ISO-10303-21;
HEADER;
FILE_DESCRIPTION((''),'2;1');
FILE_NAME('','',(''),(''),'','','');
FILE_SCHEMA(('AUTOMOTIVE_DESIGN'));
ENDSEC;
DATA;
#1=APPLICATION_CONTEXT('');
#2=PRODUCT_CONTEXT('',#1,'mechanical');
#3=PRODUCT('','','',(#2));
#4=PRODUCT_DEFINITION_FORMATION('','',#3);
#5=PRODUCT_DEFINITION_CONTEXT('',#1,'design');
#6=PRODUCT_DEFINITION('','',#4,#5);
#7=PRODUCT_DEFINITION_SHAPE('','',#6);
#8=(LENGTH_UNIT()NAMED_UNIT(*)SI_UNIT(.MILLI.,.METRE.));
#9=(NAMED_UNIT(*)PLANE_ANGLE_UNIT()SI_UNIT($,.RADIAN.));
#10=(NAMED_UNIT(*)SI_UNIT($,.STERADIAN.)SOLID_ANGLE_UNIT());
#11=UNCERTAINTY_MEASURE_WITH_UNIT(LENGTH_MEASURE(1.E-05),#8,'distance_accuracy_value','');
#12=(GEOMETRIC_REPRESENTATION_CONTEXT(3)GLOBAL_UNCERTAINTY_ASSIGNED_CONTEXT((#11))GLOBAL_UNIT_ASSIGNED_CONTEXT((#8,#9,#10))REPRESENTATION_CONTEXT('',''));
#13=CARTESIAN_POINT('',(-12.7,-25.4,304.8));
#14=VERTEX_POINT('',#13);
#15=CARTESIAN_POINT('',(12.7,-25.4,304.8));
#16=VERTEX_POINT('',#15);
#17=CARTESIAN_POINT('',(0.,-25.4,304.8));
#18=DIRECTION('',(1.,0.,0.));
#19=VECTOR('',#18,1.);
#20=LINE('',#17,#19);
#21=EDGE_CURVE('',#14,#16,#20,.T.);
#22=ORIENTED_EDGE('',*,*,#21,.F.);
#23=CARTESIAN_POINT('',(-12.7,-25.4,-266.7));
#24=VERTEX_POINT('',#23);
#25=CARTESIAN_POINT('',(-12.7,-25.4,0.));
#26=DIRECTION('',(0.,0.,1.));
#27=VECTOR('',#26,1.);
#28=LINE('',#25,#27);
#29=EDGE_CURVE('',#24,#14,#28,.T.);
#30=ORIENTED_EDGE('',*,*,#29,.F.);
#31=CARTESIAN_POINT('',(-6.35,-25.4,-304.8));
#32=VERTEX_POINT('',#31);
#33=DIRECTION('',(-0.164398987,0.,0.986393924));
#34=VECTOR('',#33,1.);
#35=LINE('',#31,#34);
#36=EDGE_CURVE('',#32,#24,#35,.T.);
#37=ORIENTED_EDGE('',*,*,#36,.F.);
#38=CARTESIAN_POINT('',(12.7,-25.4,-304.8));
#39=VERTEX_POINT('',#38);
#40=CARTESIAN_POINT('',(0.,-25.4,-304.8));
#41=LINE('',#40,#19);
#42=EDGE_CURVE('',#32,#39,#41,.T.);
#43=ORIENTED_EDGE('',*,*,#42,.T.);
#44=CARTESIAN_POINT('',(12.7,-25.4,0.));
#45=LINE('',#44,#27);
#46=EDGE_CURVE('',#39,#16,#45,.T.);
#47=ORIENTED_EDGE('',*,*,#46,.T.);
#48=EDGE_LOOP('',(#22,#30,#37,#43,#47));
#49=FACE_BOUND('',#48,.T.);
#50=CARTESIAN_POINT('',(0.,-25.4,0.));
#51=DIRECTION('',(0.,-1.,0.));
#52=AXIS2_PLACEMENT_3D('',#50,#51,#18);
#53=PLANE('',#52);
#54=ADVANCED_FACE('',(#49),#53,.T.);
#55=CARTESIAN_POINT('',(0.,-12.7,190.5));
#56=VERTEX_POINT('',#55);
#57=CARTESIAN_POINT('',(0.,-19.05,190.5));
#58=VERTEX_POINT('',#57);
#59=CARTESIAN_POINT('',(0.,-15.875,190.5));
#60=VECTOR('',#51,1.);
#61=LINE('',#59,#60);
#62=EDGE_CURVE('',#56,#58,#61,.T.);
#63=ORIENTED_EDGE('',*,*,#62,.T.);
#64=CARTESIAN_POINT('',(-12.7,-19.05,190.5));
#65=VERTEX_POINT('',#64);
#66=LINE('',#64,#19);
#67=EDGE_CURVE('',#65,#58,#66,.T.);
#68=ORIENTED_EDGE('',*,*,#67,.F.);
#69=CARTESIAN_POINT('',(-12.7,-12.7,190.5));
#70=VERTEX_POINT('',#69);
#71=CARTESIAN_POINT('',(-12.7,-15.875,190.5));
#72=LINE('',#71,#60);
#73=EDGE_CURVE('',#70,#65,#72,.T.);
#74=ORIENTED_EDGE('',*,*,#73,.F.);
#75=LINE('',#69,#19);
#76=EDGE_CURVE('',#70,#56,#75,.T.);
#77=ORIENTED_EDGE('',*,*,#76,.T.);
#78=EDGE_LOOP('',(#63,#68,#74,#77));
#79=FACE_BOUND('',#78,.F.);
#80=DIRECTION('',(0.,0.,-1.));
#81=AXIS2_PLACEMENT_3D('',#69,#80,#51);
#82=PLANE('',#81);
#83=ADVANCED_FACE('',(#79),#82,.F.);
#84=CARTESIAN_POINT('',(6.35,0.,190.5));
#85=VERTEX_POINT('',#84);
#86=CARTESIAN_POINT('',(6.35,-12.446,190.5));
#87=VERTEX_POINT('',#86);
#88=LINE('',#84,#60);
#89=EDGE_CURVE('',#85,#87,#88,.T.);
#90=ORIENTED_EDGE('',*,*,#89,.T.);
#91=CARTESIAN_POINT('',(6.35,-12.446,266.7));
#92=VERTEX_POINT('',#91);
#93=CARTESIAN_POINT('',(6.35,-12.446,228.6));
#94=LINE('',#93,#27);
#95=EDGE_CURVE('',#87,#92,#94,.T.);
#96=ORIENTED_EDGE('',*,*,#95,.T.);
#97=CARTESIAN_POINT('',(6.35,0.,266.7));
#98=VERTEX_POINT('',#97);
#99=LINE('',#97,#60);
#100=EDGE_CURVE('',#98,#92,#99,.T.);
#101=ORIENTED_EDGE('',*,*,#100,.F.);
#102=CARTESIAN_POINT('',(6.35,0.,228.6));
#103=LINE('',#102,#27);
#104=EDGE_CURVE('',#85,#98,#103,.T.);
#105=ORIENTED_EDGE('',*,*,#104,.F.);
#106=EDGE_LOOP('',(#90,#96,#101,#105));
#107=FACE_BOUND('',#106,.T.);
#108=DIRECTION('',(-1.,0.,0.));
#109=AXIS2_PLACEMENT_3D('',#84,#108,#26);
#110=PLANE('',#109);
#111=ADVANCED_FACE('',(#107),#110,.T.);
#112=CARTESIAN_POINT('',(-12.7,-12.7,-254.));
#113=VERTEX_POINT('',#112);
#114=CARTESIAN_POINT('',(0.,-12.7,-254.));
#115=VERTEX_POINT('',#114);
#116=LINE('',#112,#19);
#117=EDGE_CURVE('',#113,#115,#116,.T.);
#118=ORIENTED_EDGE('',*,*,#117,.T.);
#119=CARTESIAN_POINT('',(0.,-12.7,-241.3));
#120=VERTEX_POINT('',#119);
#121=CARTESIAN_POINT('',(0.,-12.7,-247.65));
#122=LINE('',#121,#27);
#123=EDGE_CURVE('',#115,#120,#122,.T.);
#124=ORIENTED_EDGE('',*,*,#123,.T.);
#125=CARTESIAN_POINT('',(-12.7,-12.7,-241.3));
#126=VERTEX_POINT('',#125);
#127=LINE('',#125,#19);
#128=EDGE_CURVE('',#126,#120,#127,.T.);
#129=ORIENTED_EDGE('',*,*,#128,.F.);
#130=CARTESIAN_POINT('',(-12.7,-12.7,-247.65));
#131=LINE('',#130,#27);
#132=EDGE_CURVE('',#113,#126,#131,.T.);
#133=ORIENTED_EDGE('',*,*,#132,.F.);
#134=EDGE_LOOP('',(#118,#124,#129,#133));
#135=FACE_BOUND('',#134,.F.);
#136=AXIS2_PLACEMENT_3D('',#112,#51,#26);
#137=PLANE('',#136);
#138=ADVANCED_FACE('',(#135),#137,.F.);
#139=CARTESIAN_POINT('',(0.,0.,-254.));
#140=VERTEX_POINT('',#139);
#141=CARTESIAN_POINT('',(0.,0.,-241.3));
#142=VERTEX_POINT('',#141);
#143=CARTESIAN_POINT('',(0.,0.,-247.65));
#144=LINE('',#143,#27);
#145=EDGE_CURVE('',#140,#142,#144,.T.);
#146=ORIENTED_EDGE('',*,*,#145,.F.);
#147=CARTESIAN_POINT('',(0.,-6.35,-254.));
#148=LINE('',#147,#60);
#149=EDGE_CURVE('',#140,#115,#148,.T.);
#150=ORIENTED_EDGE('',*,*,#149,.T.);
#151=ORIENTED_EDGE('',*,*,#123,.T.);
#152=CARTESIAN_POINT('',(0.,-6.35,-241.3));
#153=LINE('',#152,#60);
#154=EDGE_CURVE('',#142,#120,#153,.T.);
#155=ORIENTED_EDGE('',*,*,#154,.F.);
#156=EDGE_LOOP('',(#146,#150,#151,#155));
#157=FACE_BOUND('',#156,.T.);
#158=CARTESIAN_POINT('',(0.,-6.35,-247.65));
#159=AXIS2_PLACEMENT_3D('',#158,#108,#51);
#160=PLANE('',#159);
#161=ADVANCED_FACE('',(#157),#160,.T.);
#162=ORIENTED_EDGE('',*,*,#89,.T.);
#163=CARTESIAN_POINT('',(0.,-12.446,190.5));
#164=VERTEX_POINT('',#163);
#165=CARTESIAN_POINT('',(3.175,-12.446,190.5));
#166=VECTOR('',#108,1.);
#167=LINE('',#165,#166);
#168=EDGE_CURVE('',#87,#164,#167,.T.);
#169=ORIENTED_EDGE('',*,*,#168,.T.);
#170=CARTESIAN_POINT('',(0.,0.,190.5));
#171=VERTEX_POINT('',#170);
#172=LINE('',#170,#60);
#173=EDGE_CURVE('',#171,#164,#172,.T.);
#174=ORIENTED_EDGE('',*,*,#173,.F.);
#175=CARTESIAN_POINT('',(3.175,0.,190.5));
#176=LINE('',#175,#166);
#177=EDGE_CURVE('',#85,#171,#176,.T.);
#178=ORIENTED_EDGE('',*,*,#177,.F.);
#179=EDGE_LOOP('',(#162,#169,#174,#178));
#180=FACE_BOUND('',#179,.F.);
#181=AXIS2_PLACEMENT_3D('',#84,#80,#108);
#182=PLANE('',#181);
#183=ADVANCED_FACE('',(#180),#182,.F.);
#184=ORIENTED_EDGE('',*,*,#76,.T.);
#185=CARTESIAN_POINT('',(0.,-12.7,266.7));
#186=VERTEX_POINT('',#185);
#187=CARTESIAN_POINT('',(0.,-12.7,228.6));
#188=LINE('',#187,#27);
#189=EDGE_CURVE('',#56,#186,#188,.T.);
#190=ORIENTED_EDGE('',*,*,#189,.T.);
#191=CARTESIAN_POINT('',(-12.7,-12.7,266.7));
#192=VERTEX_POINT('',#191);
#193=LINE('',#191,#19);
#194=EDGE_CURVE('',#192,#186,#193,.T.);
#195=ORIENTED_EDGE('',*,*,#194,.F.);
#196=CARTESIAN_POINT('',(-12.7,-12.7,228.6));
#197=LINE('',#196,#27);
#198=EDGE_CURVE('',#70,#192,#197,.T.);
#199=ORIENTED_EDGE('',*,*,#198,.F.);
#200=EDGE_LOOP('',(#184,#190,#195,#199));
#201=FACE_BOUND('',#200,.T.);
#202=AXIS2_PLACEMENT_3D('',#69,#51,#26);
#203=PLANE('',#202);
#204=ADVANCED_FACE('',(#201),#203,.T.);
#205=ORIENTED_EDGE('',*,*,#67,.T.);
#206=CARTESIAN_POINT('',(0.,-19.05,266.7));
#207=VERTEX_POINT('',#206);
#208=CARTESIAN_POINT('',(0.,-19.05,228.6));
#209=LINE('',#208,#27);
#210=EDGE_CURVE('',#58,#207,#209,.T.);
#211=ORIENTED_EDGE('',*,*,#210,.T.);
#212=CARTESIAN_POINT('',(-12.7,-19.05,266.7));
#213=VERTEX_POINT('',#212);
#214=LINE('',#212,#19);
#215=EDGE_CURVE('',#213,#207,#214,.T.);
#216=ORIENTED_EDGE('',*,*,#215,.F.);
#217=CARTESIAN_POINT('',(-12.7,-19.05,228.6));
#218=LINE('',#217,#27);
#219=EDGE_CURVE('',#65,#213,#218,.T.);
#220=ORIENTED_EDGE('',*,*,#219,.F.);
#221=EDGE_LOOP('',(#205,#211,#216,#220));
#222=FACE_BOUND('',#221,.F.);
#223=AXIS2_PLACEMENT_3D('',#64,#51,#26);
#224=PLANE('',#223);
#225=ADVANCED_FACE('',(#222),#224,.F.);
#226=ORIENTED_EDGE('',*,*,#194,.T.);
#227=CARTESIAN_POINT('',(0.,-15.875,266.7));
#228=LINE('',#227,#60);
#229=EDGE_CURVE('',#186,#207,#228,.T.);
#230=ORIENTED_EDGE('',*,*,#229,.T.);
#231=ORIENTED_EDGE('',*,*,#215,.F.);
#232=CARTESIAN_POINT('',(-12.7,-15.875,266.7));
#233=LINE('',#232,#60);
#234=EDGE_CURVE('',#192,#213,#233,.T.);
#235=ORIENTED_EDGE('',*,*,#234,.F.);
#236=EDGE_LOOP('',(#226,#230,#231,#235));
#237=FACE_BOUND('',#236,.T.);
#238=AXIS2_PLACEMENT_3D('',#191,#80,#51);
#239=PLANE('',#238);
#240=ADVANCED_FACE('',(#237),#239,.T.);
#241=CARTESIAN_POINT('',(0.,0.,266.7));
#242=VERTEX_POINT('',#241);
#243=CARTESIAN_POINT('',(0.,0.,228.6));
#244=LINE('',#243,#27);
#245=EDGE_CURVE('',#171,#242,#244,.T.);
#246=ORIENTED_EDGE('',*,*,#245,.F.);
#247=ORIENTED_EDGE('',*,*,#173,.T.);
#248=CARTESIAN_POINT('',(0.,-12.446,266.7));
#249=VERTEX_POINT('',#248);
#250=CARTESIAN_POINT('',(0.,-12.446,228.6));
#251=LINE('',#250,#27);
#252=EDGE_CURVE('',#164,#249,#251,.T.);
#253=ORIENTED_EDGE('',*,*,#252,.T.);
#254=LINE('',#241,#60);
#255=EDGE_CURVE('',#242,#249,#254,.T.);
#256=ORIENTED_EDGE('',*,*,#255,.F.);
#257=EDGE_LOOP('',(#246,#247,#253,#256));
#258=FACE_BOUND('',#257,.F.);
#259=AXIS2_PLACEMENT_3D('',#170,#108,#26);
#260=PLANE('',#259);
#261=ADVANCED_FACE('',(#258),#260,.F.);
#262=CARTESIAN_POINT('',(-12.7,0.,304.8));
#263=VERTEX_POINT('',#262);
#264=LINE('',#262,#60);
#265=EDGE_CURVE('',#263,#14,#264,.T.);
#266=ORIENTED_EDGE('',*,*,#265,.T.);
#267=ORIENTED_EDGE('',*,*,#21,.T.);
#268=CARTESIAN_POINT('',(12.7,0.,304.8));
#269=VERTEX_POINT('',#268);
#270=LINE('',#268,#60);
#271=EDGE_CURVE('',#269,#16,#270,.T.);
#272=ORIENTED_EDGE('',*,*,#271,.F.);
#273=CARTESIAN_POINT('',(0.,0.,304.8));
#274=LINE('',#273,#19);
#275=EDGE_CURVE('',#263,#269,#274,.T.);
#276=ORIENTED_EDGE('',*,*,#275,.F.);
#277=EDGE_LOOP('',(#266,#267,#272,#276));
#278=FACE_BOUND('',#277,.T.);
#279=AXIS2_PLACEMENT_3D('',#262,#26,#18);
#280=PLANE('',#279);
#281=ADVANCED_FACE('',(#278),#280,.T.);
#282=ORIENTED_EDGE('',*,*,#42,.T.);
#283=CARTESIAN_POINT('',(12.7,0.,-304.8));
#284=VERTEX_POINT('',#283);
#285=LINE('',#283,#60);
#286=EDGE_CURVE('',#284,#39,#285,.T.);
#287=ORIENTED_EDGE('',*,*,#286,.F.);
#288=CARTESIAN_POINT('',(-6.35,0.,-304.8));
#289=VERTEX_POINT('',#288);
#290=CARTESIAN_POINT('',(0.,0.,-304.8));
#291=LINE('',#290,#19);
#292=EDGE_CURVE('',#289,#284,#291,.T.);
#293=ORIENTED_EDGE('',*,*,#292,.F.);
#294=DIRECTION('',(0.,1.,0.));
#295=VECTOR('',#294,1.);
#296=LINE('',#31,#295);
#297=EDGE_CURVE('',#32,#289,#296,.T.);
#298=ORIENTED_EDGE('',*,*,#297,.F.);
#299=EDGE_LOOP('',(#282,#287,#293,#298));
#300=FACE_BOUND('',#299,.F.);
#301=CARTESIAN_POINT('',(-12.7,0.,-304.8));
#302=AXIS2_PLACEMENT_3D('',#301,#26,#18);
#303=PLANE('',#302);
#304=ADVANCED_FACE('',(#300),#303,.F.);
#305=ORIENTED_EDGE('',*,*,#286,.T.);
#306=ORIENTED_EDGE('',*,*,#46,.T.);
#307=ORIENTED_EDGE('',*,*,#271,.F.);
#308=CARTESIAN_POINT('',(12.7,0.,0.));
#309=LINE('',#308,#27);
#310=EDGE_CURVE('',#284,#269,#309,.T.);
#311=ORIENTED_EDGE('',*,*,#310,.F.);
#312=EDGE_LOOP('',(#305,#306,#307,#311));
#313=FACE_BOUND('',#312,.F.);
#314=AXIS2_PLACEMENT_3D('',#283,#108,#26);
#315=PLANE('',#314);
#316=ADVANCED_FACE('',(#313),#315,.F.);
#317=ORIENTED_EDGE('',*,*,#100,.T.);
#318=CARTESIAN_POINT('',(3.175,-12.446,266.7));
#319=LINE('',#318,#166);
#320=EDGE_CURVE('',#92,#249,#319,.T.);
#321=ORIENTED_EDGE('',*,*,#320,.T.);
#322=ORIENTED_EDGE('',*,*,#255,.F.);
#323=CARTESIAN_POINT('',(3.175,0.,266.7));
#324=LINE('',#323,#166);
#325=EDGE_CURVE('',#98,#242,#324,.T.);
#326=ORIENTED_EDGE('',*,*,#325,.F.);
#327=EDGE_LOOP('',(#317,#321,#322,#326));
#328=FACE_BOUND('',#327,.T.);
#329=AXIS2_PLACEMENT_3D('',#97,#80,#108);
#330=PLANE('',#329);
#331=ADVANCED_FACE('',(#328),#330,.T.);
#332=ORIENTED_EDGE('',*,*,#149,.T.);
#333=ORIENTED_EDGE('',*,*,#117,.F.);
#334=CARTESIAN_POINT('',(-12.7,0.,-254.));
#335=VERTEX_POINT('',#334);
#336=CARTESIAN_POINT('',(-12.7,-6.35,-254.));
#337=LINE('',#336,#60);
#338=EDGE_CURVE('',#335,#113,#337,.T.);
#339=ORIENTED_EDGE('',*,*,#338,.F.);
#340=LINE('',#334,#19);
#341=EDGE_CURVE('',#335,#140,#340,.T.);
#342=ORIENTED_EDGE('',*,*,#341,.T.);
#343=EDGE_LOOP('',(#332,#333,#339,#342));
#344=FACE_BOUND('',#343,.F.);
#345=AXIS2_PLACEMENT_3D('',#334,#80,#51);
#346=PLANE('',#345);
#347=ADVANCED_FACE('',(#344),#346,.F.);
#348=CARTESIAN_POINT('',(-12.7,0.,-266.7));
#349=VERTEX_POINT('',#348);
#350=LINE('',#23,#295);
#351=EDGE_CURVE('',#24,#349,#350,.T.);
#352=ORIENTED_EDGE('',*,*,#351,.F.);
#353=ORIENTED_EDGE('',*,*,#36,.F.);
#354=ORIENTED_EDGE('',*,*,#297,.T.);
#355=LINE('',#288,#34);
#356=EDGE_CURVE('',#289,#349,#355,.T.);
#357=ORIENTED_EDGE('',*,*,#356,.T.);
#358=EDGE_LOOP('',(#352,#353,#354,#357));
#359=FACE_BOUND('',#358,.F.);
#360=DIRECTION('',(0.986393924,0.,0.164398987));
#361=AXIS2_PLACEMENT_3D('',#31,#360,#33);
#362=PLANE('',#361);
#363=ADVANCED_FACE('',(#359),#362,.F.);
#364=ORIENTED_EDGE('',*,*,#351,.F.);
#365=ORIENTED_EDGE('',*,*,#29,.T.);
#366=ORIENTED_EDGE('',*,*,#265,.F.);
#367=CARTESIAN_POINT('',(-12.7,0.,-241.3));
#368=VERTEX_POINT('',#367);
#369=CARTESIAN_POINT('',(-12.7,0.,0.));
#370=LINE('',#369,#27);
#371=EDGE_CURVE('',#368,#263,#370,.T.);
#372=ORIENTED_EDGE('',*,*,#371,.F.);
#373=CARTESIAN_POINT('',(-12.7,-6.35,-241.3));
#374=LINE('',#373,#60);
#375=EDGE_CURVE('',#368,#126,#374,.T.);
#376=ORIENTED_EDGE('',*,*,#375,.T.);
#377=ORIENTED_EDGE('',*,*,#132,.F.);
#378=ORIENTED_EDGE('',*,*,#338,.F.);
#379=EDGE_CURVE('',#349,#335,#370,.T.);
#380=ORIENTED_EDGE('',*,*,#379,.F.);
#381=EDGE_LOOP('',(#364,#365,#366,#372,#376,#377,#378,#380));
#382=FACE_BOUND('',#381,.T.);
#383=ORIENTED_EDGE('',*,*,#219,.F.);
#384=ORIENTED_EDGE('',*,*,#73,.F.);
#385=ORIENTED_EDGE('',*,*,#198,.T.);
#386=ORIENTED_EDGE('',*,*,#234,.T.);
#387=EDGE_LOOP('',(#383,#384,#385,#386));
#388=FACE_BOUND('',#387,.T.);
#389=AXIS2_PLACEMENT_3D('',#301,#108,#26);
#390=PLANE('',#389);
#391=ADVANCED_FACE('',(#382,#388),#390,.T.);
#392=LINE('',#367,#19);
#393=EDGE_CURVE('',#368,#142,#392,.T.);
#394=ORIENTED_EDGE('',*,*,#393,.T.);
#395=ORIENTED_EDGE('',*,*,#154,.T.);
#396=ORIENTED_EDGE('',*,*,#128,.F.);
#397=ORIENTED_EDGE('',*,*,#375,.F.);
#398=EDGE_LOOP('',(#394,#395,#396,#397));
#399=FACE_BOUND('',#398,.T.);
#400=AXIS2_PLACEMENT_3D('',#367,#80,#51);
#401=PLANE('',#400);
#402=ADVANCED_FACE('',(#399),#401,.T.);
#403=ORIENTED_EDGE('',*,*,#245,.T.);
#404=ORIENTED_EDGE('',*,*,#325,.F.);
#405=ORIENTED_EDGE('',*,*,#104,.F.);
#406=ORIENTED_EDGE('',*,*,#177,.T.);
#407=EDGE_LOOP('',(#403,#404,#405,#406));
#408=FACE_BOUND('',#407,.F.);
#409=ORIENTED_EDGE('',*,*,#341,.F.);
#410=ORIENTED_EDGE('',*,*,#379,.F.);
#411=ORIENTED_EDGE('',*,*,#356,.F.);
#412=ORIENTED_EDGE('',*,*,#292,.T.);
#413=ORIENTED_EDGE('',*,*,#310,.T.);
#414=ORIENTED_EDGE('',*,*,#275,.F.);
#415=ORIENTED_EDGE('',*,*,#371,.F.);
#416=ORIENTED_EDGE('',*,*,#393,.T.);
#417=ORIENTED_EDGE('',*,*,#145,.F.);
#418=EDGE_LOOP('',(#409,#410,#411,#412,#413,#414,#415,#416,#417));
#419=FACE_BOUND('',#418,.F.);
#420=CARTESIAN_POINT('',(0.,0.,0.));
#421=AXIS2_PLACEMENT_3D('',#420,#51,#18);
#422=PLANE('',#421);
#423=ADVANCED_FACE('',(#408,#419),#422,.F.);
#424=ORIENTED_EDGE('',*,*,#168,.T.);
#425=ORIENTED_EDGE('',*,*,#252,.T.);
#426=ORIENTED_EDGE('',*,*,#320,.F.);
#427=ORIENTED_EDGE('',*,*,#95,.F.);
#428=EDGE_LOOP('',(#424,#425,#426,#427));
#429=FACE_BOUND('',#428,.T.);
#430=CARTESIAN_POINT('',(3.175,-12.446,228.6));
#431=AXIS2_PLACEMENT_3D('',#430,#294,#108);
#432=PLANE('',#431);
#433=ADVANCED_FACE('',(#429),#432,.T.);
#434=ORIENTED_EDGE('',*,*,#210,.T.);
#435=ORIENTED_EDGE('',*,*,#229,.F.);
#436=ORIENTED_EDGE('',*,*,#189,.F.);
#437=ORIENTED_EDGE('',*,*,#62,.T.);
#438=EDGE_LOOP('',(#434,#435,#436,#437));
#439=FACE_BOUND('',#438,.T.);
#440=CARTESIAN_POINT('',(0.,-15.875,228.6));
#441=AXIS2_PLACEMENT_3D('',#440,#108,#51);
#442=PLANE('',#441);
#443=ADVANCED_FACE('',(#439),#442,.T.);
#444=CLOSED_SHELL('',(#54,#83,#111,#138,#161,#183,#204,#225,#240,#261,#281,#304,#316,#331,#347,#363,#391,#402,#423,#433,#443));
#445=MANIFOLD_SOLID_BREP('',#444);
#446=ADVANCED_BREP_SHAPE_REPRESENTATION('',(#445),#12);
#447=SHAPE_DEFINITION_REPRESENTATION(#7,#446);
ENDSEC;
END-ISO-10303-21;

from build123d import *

# Parameters (mm, degrees)
F0_W     = 25.4
F0_H     = 609.6
F1_DEPTH = 25.4
F3_DEPTH = 25.4
F4_W     = 12.7
F4_H     = 12.7
F5_DEPTH = 12.7
F6_W     = 6.35
F6_H     = 76.2
F7_DEPTH = 12.7
F8_W     = 6.35
F8_H     = 76.2
F9_DEPTH = 12.446


with BuildPart() as f1:
    # F0 (on Front) → F1 (new body)
    with BuildSketch(Plane.XZ):
        Rectangle(F0_W, F0_H)
    extrude(amount=F1_DEPTH)

    # F2 (on face) → F3 (cut)
    with BuildSketch(Plane.XZ.offset(25.4)):
        Polygon((-12.7, -304.8), (-6.35, -304.8), (-12.7, -266.7), align=None)
    extrude(amount=-F3_DEPTH, mode=Mode.SUBTRACT)

    # F4 (on face) → F5 (cut)
    with BuildSketch(Plane(origin=(-12.7, 0, 0), x_dir=(0, -1, 0), z_dir=(-1, 0, 0))):
        with Locations((6.35, -247.65)):
            Rectangle(F4_W, F4_H)
    extrude(amount=-F5_DEPTH, mode=Mode.SUBTRACT)

    # F6 (on face) → F7 (cut)
    with BuildSketch(Plane(origin=(-12.7, 0, 0), x_dir=(0, -1, 0), z_dir=(-1, 0, 0))):
        with Locations((15.875, 228.6)):
            Rectangle(F6_W, F6_H)
    extrude(amount=-F7_DEPTH, mode=Mode.SUBTRACT)

    # F8 (on face) → F9 (cut)
    with BuildSketch(Plane(origin=(0, 0, 0), x_dir=(-1, 0, 0), z_dir=(0, 1, 0))):
        with Locations((-3.175, 228.6)):
            Rectangle(F8_W, F8_H)
    extrude(amount=-F9_DEPTH, mode=Mode.SUBTRACT)


solid = f1.part
